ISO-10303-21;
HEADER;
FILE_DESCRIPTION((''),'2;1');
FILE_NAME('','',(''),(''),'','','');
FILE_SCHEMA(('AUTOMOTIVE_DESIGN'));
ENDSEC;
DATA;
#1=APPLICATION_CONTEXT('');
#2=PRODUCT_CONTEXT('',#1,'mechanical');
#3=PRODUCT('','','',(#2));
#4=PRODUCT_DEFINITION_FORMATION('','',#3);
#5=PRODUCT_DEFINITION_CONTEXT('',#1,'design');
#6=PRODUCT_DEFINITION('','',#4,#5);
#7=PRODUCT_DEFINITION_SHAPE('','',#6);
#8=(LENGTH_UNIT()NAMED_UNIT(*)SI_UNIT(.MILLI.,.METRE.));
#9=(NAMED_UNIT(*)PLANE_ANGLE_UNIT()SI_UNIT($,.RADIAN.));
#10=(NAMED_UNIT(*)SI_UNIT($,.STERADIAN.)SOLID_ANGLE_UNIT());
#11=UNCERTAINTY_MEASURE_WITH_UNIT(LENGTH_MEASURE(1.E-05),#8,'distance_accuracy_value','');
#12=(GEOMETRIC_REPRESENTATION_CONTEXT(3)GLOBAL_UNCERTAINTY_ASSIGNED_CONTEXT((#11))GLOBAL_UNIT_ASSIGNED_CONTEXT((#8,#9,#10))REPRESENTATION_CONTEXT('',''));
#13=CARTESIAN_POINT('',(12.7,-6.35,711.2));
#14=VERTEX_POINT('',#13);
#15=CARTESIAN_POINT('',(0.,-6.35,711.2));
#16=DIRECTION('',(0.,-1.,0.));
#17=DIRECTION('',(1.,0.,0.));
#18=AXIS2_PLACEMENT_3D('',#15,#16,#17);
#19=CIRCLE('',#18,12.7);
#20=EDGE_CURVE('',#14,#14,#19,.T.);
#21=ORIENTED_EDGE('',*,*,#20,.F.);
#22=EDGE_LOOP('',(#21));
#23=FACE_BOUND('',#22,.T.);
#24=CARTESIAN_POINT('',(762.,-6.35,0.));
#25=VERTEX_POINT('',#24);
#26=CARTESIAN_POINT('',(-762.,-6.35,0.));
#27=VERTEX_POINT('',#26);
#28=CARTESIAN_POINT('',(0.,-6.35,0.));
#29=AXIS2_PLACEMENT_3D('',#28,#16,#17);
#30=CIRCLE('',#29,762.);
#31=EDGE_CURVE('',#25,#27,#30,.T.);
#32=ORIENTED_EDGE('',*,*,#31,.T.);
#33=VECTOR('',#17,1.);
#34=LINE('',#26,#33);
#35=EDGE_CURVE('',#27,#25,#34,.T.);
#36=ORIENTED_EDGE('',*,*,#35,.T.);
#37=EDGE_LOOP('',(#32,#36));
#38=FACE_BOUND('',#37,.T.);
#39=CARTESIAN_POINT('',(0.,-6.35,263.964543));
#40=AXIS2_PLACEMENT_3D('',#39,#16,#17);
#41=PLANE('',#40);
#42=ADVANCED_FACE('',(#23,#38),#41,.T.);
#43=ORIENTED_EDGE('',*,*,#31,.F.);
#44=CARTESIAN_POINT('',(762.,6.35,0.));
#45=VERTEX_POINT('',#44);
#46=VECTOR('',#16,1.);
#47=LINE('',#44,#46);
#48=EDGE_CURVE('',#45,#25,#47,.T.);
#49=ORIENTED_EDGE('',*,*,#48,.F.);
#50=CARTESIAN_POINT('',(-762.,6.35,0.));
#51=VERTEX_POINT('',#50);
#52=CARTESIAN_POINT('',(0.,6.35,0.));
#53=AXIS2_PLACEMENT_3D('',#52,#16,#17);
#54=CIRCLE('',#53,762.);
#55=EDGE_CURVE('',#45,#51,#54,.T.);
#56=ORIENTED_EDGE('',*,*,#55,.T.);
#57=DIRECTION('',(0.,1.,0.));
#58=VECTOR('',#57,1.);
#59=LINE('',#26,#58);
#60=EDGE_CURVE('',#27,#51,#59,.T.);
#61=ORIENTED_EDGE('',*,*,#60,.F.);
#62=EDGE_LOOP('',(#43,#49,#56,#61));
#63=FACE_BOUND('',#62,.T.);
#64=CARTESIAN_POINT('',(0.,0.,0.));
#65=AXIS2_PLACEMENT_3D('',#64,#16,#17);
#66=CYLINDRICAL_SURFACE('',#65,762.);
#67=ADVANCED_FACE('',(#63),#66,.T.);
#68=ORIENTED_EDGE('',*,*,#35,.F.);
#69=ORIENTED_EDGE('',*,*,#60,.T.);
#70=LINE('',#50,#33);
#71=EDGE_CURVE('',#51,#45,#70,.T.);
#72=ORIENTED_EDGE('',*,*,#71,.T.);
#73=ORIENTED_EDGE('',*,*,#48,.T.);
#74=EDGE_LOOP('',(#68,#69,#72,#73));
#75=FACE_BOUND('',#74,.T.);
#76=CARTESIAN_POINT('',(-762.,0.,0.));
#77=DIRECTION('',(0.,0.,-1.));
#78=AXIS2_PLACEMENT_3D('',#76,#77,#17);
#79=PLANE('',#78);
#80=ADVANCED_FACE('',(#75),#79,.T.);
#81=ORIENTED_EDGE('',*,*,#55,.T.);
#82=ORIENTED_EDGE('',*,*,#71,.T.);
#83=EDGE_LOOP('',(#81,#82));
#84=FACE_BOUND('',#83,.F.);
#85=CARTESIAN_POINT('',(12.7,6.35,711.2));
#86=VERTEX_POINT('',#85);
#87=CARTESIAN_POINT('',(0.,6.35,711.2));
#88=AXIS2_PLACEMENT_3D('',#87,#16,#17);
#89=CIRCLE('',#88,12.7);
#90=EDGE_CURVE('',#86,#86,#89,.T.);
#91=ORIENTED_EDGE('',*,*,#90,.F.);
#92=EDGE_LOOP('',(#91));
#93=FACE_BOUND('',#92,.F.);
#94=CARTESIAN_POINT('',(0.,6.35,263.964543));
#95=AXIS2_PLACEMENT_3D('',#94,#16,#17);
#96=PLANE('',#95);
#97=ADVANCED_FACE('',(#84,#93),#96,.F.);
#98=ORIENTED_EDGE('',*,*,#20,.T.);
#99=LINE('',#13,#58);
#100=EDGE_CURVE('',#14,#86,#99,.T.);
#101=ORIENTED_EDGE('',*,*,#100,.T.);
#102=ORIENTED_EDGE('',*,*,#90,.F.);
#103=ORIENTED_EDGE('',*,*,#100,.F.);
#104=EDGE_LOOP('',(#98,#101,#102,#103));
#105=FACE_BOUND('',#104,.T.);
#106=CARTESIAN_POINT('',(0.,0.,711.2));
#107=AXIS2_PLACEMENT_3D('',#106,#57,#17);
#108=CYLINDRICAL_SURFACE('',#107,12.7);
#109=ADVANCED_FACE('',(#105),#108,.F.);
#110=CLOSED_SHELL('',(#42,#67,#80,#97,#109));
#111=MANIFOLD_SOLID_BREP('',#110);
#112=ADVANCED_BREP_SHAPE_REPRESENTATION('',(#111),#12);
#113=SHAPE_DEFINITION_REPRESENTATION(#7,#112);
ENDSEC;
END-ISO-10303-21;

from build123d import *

# Parameters (mm, degrees)
F0_R     = 12.7
F1_DEPTH = 6.35


with BuildPart() as f1:
    # F0 (on Front) → F1 (new body, symmetric)
    with BuildSketch(Plane.XZ):
        with BuildLine():
            Line((-762, 0), (762, 0))
            ThreePointArc((762, 0), (0, 762), (-762, 0))
        make_face()
        with Locations((0, 711.2)):
            Circle(F0_R, mode=Mode.SUBTRACT)
    extrude(amount=F1_DEPTH, both=True)


solid = f1.part
